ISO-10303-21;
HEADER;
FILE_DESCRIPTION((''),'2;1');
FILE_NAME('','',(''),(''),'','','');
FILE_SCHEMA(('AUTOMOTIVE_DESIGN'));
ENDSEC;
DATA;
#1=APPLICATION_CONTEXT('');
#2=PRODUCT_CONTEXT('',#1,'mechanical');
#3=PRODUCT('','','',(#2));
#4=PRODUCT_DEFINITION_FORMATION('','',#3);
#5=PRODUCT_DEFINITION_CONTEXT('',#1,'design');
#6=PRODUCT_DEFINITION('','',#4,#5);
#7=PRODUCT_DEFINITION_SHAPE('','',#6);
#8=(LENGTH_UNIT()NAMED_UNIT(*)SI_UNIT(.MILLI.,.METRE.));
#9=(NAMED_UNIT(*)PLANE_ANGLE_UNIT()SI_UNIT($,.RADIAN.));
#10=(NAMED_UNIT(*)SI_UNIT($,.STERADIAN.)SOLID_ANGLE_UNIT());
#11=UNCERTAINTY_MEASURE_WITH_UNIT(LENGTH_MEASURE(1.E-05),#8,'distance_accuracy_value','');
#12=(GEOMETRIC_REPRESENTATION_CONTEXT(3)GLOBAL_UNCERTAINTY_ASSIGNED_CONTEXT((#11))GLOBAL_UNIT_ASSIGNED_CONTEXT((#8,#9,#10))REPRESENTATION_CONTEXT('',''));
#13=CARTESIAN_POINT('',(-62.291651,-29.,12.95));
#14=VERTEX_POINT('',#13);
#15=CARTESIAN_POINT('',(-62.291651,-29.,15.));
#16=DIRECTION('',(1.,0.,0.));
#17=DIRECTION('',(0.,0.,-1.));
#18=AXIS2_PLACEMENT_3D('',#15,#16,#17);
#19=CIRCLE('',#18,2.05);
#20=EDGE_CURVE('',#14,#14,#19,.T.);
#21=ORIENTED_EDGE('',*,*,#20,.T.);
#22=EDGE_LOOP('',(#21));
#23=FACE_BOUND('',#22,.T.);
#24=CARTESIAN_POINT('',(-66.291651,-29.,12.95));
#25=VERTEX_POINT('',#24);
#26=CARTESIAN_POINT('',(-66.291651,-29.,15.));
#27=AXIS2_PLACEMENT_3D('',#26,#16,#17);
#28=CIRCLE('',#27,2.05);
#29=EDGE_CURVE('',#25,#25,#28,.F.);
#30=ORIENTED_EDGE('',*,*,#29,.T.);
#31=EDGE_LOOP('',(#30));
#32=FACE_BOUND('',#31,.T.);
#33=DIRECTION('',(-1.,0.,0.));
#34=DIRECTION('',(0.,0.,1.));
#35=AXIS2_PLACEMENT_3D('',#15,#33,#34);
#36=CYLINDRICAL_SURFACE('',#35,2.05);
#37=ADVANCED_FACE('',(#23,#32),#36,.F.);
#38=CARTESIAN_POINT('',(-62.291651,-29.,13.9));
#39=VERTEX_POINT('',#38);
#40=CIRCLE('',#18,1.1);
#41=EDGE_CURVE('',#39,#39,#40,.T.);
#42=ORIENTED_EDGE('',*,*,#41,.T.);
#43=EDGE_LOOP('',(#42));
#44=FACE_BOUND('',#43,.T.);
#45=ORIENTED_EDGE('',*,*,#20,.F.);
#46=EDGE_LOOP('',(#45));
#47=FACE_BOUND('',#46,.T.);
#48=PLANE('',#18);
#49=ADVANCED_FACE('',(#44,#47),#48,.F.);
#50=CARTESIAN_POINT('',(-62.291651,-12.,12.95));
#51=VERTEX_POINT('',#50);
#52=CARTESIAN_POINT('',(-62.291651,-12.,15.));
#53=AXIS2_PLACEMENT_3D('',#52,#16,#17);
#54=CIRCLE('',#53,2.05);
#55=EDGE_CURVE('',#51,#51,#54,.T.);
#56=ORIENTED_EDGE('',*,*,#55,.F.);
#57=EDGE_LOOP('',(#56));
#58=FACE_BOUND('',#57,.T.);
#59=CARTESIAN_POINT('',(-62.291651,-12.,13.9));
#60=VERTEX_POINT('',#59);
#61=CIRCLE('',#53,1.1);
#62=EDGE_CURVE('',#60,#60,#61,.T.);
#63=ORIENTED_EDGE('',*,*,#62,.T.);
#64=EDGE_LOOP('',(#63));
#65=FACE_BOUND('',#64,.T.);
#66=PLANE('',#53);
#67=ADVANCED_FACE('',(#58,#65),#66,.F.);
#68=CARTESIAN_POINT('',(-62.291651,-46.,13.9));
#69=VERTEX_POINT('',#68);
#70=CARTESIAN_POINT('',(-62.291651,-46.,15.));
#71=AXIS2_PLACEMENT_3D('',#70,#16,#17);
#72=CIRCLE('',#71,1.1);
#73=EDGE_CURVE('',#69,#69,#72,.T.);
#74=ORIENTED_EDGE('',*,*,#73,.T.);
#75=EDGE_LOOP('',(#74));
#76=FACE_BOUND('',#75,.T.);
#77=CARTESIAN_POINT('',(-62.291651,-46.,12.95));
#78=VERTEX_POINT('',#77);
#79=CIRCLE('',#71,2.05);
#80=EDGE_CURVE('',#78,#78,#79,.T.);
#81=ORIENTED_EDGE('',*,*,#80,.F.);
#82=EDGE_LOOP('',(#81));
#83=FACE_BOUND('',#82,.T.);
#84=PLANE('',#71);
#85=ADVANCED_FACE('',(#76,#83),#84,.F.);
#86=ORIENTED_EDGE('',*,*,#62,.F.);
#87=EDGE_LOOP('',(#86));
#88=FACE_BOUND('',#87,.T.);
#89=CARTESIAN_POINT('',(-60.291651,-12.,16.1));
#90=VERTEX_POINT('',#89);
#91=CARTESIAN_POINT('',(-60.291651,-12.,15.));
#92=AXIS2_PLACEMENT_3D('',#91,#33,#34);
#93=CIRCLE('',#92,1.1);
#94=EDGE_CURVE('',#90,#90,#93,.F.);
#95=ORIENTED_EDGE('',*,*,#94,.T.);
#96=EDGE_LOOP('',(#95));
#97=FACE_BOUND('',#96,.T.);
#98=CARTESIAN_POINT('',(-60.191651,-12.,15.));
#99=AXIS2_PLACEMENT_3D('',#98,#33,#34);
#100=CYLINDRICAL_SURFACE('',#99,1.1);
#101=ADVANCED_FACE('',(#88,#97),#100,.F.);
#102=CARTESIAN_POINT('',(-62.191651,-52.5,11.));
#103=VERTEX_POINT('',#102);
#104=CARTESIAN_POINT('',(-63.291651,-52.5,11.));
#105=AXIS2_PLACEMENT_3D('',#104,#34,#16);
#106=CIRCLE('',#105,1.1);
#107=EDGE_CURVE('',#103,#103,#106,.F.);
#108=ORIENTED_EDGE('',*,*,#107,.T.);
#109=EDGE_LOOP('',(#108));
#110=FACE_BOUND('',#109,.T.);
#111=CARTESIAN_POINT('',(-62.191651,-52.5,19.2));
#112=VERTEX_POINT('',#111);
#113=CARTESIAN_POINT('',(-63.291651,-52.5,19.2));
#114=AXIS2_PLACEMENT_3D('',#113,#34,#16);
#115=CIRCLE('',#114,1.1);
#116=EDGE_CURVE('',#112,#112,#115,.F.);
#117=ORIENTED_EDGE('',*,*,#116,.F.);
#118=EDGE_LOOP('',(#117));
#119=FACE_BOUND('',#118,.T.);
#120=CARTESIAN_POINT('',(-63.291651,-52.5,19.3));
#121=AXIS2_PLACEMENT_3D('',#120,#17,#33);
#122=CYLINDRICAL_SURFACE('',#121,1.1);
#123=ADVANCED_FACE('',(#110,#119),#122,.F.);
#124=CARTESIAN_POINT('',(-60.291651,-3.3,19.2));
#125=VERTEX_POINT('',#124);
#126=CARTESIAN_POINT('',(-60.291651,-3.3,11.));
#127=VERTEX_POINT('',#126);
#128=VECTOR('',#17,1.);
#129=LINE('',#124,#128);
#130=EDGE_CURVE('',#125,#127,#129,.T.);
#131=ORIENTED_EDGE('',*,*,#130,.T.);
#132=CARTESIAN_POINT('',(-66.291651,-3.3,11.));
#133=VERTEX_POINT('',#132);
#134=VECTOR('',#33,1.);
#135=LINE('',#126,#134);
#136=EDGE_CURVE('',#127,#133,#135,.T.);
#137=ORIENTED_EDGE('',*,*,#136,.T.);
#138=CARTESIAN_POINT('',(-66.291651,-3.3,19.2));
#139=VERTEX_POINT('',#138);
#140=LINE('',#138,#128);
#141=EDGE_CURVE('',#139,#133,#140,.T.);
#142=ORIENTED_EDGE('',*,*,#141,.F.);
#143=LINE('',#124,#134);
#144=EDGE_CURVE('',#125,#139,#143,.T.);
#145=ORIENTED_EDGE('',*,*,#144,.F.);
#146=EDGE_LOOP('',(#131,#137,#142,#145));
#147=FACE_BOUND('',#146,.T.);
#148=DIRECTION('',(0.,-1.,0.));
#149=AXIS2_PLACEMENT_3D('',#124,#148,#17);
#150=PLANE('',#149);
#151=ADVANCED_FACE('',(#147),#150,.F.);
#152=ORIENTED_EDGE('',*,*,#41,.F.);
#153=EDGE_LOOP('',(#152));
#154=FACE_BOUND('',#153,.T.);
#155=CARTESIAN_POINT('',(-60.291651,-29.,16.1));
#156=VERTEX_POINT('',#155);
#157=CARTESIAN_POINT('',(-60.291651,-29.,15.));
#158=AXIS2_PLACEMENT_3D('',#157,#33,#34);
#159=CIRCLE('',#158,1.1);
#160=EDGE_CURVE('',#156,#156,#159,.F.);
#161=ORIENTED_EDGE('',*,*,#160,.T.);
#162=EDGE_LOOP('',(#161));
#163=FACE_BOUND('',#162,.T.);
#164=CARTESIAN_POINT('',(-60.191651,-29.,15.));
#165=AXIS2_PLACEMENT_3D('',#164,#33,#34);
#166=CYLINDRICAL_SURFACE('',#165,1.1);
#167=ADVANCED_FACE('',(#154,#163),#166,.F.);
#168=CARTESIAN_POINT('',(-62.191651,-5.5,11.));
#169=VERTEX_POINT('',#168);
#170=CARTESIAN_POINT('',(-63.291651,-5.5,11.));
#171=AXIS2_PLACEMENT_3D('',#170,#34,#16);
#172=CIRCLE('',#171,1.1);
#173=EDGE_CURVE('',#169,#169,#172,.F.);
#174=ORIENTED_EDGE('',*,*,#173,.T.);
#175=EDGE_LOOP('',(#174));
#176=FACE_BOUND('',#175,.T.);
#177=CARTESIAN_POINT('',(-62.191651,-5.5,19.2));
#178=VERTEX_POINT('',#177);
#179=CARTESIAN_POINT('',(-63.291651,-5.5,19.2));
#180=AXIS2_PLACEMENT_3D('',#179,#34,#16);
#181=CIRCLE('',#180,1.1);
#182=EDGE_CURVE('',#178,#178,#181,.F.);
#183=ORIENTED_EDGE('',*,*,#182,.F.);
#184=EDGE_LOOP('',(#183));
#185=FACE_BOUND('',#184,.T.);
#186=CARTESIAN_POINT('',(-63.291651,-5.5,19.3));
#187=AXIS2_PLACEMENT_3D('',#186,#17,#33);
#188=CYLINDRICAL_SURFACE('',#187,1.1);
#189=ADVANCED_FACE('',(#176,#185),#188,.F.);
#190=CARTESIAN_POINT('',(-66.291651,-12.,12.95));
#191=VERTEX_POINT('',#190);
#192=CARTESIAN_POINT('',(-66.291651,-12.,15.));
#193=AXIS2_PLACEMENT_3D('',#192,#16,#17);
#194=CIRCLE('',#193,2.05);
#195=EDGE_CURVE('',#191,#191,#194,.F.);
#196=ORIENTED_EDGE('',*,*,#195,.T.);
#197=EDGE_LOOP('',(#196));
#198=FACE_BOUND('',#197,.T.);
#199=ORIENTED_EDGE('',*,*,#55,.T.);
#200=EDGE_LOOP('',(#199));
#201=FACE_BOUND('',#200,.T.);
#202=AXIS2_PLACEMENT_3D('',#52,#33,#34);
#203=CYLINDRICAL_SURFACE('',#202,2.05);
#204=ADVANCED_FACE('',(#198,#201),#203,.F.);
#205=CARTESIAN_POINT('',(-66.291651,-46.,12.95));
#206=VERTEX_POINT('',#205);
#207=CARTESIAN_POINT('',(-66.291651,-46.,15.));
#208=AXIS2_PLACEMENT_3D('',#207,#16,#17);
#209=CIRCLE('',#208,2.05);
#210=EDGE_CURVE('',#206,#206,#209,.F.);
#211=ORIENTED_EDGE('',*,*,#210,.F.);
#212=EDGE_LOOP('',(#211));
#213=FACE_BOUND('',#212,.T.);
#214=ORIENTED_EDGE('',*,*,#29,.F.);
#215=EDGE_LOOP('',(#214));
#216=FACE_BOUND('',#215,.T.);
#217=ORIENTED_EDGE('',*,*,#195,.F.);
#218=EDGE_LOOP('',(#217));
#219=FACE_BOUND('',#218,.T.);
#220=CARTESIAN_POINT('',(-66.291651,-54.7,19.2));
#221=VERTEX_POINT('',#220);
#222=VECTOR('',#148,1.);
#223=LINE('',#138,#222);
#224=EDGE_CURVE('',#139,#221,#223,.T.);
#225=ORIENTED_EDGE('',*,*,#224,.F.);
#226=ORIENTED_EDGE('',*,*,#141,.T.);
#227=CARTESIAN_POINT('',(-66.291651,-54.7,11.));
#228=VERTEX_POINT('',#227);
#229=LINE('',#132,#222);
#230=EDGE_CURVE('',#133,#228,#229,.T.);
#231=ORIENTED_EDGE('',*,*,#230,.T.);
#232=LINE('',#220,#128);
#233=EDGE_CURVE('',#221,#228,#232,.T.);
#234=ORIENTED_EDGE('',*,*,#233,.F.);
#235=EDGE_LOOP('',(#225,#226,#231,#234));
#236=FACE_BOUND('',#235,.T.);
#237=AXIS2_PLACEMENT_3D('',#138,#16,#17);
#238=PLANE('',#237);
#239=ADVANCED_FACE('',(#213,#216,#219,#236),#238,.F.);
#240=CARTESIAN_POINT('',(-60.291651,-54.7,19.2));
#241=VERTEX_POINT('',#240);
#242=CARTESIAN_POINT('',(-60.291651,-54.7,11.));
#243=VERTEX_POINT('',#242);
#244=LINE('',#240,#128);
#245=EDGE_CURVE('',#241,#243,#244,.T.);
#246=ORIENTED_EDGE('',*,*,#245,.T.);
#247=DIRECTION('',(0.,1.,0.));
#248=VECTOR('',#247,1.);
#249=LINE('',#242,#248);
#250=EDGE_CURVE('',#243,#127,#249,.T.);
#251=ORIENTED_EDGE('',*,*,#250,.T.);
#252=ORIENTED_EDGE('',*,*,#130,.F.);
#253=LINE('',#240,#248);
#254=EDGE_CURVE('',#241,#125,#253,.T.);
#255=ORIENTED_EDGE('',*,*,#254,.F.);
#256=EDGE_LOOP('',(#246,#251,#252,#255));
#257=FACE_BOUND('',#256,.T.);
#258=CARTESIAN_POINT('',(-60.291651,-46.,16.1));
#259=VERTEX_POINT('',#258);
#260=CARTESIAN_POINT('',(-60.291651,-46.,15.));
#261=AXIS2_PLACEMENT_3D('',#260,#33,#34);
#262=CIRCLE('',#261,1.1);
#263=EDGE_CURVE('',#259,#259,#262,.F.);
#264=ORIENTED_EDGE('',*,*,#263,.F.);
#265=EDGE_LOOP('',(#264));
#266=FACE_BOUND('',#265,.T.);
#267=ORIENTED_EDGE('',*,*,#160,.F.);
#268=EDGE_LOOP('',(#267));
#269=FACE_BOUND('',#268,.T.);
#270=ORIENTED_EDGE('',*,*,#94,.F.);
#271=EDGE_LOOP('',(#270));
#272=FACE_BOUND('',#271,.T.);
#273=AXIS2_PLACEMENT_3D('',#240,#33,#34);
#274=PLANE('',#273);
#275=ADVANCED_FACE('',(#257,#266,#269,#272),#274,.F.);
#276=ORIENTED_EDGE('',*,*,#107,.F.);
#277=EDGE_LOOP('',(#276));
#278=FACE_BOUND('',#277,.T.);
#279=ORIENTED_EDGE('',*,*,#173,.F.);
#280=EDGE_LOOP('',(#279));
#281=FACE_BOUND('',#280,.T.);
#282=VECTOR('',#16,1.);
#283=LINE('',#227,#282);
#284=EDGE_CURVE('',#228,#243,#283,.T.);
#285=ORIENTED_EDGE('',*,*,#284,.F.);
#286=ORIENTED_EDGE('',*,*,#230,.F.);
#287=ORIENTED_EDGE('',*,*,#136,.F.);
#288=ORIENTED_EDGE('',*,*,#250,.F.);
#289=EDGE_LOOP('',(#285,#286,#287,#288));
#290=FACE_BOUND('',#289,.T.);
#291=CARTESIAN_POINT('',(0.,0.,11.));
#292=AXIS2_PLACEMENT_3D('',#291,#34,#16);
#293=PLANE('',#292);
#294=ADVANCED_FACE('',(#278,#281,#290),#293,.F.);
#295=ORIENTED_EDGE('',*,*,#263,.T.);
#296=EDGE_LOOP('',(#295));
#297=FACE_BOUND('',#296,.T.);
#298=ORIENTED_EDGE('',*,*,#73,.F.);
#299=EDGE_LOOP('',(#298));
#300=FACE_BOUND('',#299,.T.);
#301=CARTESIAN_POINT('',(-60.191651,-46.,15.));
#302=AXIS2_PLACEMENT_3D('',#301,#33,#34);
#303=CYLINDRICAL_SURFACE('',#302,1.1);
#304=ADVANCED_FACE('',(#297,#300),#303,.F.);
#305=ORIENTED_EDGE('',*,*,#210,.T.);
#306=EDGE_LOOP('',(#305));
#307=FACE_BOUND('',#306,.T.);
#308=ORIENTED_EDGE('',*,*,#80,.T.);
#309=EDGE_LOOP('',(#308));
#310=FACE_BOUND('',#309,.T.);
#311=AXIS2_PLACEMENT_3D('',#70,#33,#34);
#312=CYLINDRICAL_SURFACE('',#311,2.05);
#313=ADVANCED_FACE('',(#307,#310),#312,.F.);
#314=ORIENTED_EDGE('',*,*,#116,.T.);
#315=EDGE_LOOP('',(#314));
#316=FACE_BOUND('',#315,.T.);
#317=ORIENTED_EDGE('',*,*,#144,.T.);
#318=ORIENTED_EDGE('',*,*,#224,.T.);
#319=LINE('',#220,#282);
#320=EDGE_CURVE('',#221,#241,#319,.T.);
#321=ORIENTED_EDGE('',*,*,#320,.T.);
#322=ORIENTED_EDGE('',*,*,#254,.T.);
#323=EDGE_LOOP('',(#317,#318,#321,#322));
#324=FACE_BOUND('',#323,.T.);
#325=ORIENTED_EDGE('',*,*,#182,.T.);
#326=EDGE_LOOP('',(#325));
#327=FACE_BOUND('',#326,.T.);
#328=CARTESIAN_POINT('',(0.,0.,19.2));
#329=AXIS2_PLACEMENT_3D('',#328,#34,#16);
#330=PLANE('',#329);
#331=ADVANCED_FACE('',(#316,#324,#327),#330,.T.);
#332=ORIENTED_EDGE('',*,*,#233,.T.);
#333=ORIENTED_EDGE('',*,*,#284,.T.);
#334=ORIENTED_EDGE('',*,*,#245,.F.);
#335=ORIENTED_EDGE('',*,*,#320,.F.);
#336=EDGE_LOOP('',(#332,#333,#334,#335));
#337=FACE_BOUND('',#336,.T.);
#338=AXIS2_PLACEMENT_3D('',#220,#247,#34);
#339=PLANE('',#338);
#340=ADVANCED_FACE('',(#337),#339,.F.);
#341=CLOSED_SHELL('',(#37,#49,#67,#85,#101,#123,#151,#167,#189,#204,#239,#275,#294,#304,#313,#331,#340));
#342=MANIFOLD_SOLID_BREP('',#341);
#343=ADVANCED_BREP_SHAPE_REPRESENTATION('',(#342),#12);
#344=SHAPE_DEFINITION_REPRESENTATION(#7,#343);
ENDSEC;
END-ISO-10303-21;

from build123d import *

# Parameters (mm, degrees)
BLOCK_OUTLINE_W                            = 6
BLOCK_OUTLINE_H                            = 51.4
REACTION_BLOCK_THICKNESS_DEPTH             = 8.2
LANE_1_INNER_CABLE_CLEARANCE_PROFILE_R     = 1.1
LANE_1_INNER_CABLE_CLEARANCE_DEPTH         = 6.2
LANE_1_COMPRESSION_HOUSING_SOCKET_PROFIL_R = 2.05
LANE_1_COMPRESSION_HOUSING_SOCKET_DEPTH    = 4.1
LANE_2_INNER_CABLE_CLEARANCE_PROFILE_R     = 1.1
LANE_2_INNER_CABLE_CLEARANCE_DEPTH         = 6.2
LANE_2_COMPRESSION_HOUSING_SOCKET_PROFIL_R = 2.05
LANE_2_COMPRESSION_HOUSING_SOCKET_DEPTH    = 4.1
LANE_3_INNER_CABLE_CLEARANCE_PROFILE_R     = 1.1
LANE_3_INNER_CABLE_CLEARANCE_DEPTH         = 6.2
LANE_3_COMPRESSION_HOUSING_SOCKET_PROFIL_R = 2.05
LANE_3_COMPRESSION_HOUSING_SOCKET_DEPTH    = 4.1
M2_FIXING_CLEARANCE_1_PROFILE_R            = 1.1
M2_FIXING_CLEARANCE_1_DEPTH                = 8.4
M2_FIXING_CLEARANCE_2_PROFILE_R            = 1.1
M2_FIXING_CLEARANCE_2_DEPTH                = 8.4


with BuildPart() as part:
    # Block outline → Reaction block thickness (new body)
    with BuildSketch(Plane.XY.offset(11)):
        with Locations((-63.291651246, -29)):
            Rectangle(BLOCK_OUTLINE_W, BLOCK_OUTLINE_H)
    extrude(amount=REACTION_BLOCK_THICKNESS_DEPTH)

    # Lane 1 inner cable clearance profile → Lane 1 inner cable clearance (cut)
    with BuildSketch(Plane(origin=(-66.391651246, 0, 0), x_dir=(0, 0, -1), z_dir=(1, 0, 0))):
        with Locations(Location((-15, -12, 0), (0, 0, 180))):
            Circle(LANE_1_INNER_CABLE_CLEARANCE_PROFILE_R)
    extrude(amount=LANE_1_INNER_CABLE_CLEARANCE_DEPTH, mode=Mode.SUBTRACT)

    # Lane 1 compression housing socket profil → Lane 1 compression housing socket (cut)
    with BuildSketch(Plane(origin=(-66.391651246, 0, 0), x_dir=(0, 0, -1), z_dir=(1, 0, 0))):
        with Locations((-15, -12)):
            Circle(LANE_1_COMPRESSION_HOUSING_SOCKET_PROFIL_R)
    extrude(amount=LANE_1_COMPRESSION_HOUSING_SOCKET_DEPTH, mode=Mode.SUBTRACT)

    # Lane 2 inner cable clearance profile → Lane 2 inner cable clearance (cut)
    with BuildSketch(Plane(origin=(-66.391651246, 0, 0), x_dir=(0, 0, -1), z_dir=(1, 0, 0))):
        with Locations(Location((-15, -29, 0), (0, 0, 180))):
            Circle(LANE_2_INNER_CABLE_CLEARANCE_PROFILE_R)
    extrude(amount=LANE_2_INNER_CABLE_CLEARANCE_DEPTH, mode=Mode.SUBTRACT)

    # Lane 2 compression housing socket profil → Lane 2 compression housing socket (cut)
    with BuildSketch(Plane(origin=(-66.391651246, 0, 0), x_dir=(0, 0, -1), z_dir=(1, 0, 0))):
        with Locations((-15, -29)):
            Circle(LANE_2_COMPRESSION_HOUSING_SOCKET_PROFIL_R)
    extrude(amount=LANE_2_COMPRESSION_HOUSING_SOCKET_DEPTH, mode=Mode.SUBTRACT)

    # Lane 3 inner cable clearance profile → Lane 3 inner cable clearance (cut)
    with BuildSketch(Plane(origin=(-66.391651246, 0, 0), x_dir=(0, 0, -1), z_dir=(1, 0, 0))):
        with Locations(Location((-15, -46, 0), (0, 0, 180))):
            Circle(LANE_3_INNER_CABLE_CLEARANCE_PROFILE_R)
    extrude(amount=LANE_3_INNER_CABLE_CLEARANCE_DEPTH, mode=Mode.SUBTRACT)

    # Lane 3 compression housing socket profil → Lane 3 compression housing socket (cut)
    with BuildSketch(Plane(origin=(-66.391651246, 0, 0), x_dir=(0, 0, -1), z_dir=(1, 0, 0))):
        with Locations((-15, -46)):
            Circle(LANE_3_COMPRESSION_HOUSING_SOCKET_PROFIL_R)
    extrude(amount=LANE_3_COMPRESSION_HOUSING_SOCKET_DEPTH, mode=Mode.SUBTRACT)

    # M2 fixing clearance 1 profile → M2 fixing clearance 1 (cut)
    with BuildSketch(Plane.XY.offset(10.9)):
        with Locations((-63.291651246, -5.5)):
            Circle(M2_FIXING_CLEARANCE_1_PROFILE_R)
    extrude(amount=M2_FIXING_CLEARANCE_1_DEPTH, mode=Mode.SUBTRACT)

    # M2 fixing clearance 2 profile → M2 fixing clearance 2 (cut)
    with BuildSketch(Plane.XY.offset(10.9)):
        with Locations((-63.291651246, -52.5)):
            Circle(M2_FIXING_CLEARANCE_2_PROFILE_R)
    extrude(amount=M2_FIXING_CLEARANCE_2_DEPTH, mode=Mode.SUBTRACT)


solid = part.part
